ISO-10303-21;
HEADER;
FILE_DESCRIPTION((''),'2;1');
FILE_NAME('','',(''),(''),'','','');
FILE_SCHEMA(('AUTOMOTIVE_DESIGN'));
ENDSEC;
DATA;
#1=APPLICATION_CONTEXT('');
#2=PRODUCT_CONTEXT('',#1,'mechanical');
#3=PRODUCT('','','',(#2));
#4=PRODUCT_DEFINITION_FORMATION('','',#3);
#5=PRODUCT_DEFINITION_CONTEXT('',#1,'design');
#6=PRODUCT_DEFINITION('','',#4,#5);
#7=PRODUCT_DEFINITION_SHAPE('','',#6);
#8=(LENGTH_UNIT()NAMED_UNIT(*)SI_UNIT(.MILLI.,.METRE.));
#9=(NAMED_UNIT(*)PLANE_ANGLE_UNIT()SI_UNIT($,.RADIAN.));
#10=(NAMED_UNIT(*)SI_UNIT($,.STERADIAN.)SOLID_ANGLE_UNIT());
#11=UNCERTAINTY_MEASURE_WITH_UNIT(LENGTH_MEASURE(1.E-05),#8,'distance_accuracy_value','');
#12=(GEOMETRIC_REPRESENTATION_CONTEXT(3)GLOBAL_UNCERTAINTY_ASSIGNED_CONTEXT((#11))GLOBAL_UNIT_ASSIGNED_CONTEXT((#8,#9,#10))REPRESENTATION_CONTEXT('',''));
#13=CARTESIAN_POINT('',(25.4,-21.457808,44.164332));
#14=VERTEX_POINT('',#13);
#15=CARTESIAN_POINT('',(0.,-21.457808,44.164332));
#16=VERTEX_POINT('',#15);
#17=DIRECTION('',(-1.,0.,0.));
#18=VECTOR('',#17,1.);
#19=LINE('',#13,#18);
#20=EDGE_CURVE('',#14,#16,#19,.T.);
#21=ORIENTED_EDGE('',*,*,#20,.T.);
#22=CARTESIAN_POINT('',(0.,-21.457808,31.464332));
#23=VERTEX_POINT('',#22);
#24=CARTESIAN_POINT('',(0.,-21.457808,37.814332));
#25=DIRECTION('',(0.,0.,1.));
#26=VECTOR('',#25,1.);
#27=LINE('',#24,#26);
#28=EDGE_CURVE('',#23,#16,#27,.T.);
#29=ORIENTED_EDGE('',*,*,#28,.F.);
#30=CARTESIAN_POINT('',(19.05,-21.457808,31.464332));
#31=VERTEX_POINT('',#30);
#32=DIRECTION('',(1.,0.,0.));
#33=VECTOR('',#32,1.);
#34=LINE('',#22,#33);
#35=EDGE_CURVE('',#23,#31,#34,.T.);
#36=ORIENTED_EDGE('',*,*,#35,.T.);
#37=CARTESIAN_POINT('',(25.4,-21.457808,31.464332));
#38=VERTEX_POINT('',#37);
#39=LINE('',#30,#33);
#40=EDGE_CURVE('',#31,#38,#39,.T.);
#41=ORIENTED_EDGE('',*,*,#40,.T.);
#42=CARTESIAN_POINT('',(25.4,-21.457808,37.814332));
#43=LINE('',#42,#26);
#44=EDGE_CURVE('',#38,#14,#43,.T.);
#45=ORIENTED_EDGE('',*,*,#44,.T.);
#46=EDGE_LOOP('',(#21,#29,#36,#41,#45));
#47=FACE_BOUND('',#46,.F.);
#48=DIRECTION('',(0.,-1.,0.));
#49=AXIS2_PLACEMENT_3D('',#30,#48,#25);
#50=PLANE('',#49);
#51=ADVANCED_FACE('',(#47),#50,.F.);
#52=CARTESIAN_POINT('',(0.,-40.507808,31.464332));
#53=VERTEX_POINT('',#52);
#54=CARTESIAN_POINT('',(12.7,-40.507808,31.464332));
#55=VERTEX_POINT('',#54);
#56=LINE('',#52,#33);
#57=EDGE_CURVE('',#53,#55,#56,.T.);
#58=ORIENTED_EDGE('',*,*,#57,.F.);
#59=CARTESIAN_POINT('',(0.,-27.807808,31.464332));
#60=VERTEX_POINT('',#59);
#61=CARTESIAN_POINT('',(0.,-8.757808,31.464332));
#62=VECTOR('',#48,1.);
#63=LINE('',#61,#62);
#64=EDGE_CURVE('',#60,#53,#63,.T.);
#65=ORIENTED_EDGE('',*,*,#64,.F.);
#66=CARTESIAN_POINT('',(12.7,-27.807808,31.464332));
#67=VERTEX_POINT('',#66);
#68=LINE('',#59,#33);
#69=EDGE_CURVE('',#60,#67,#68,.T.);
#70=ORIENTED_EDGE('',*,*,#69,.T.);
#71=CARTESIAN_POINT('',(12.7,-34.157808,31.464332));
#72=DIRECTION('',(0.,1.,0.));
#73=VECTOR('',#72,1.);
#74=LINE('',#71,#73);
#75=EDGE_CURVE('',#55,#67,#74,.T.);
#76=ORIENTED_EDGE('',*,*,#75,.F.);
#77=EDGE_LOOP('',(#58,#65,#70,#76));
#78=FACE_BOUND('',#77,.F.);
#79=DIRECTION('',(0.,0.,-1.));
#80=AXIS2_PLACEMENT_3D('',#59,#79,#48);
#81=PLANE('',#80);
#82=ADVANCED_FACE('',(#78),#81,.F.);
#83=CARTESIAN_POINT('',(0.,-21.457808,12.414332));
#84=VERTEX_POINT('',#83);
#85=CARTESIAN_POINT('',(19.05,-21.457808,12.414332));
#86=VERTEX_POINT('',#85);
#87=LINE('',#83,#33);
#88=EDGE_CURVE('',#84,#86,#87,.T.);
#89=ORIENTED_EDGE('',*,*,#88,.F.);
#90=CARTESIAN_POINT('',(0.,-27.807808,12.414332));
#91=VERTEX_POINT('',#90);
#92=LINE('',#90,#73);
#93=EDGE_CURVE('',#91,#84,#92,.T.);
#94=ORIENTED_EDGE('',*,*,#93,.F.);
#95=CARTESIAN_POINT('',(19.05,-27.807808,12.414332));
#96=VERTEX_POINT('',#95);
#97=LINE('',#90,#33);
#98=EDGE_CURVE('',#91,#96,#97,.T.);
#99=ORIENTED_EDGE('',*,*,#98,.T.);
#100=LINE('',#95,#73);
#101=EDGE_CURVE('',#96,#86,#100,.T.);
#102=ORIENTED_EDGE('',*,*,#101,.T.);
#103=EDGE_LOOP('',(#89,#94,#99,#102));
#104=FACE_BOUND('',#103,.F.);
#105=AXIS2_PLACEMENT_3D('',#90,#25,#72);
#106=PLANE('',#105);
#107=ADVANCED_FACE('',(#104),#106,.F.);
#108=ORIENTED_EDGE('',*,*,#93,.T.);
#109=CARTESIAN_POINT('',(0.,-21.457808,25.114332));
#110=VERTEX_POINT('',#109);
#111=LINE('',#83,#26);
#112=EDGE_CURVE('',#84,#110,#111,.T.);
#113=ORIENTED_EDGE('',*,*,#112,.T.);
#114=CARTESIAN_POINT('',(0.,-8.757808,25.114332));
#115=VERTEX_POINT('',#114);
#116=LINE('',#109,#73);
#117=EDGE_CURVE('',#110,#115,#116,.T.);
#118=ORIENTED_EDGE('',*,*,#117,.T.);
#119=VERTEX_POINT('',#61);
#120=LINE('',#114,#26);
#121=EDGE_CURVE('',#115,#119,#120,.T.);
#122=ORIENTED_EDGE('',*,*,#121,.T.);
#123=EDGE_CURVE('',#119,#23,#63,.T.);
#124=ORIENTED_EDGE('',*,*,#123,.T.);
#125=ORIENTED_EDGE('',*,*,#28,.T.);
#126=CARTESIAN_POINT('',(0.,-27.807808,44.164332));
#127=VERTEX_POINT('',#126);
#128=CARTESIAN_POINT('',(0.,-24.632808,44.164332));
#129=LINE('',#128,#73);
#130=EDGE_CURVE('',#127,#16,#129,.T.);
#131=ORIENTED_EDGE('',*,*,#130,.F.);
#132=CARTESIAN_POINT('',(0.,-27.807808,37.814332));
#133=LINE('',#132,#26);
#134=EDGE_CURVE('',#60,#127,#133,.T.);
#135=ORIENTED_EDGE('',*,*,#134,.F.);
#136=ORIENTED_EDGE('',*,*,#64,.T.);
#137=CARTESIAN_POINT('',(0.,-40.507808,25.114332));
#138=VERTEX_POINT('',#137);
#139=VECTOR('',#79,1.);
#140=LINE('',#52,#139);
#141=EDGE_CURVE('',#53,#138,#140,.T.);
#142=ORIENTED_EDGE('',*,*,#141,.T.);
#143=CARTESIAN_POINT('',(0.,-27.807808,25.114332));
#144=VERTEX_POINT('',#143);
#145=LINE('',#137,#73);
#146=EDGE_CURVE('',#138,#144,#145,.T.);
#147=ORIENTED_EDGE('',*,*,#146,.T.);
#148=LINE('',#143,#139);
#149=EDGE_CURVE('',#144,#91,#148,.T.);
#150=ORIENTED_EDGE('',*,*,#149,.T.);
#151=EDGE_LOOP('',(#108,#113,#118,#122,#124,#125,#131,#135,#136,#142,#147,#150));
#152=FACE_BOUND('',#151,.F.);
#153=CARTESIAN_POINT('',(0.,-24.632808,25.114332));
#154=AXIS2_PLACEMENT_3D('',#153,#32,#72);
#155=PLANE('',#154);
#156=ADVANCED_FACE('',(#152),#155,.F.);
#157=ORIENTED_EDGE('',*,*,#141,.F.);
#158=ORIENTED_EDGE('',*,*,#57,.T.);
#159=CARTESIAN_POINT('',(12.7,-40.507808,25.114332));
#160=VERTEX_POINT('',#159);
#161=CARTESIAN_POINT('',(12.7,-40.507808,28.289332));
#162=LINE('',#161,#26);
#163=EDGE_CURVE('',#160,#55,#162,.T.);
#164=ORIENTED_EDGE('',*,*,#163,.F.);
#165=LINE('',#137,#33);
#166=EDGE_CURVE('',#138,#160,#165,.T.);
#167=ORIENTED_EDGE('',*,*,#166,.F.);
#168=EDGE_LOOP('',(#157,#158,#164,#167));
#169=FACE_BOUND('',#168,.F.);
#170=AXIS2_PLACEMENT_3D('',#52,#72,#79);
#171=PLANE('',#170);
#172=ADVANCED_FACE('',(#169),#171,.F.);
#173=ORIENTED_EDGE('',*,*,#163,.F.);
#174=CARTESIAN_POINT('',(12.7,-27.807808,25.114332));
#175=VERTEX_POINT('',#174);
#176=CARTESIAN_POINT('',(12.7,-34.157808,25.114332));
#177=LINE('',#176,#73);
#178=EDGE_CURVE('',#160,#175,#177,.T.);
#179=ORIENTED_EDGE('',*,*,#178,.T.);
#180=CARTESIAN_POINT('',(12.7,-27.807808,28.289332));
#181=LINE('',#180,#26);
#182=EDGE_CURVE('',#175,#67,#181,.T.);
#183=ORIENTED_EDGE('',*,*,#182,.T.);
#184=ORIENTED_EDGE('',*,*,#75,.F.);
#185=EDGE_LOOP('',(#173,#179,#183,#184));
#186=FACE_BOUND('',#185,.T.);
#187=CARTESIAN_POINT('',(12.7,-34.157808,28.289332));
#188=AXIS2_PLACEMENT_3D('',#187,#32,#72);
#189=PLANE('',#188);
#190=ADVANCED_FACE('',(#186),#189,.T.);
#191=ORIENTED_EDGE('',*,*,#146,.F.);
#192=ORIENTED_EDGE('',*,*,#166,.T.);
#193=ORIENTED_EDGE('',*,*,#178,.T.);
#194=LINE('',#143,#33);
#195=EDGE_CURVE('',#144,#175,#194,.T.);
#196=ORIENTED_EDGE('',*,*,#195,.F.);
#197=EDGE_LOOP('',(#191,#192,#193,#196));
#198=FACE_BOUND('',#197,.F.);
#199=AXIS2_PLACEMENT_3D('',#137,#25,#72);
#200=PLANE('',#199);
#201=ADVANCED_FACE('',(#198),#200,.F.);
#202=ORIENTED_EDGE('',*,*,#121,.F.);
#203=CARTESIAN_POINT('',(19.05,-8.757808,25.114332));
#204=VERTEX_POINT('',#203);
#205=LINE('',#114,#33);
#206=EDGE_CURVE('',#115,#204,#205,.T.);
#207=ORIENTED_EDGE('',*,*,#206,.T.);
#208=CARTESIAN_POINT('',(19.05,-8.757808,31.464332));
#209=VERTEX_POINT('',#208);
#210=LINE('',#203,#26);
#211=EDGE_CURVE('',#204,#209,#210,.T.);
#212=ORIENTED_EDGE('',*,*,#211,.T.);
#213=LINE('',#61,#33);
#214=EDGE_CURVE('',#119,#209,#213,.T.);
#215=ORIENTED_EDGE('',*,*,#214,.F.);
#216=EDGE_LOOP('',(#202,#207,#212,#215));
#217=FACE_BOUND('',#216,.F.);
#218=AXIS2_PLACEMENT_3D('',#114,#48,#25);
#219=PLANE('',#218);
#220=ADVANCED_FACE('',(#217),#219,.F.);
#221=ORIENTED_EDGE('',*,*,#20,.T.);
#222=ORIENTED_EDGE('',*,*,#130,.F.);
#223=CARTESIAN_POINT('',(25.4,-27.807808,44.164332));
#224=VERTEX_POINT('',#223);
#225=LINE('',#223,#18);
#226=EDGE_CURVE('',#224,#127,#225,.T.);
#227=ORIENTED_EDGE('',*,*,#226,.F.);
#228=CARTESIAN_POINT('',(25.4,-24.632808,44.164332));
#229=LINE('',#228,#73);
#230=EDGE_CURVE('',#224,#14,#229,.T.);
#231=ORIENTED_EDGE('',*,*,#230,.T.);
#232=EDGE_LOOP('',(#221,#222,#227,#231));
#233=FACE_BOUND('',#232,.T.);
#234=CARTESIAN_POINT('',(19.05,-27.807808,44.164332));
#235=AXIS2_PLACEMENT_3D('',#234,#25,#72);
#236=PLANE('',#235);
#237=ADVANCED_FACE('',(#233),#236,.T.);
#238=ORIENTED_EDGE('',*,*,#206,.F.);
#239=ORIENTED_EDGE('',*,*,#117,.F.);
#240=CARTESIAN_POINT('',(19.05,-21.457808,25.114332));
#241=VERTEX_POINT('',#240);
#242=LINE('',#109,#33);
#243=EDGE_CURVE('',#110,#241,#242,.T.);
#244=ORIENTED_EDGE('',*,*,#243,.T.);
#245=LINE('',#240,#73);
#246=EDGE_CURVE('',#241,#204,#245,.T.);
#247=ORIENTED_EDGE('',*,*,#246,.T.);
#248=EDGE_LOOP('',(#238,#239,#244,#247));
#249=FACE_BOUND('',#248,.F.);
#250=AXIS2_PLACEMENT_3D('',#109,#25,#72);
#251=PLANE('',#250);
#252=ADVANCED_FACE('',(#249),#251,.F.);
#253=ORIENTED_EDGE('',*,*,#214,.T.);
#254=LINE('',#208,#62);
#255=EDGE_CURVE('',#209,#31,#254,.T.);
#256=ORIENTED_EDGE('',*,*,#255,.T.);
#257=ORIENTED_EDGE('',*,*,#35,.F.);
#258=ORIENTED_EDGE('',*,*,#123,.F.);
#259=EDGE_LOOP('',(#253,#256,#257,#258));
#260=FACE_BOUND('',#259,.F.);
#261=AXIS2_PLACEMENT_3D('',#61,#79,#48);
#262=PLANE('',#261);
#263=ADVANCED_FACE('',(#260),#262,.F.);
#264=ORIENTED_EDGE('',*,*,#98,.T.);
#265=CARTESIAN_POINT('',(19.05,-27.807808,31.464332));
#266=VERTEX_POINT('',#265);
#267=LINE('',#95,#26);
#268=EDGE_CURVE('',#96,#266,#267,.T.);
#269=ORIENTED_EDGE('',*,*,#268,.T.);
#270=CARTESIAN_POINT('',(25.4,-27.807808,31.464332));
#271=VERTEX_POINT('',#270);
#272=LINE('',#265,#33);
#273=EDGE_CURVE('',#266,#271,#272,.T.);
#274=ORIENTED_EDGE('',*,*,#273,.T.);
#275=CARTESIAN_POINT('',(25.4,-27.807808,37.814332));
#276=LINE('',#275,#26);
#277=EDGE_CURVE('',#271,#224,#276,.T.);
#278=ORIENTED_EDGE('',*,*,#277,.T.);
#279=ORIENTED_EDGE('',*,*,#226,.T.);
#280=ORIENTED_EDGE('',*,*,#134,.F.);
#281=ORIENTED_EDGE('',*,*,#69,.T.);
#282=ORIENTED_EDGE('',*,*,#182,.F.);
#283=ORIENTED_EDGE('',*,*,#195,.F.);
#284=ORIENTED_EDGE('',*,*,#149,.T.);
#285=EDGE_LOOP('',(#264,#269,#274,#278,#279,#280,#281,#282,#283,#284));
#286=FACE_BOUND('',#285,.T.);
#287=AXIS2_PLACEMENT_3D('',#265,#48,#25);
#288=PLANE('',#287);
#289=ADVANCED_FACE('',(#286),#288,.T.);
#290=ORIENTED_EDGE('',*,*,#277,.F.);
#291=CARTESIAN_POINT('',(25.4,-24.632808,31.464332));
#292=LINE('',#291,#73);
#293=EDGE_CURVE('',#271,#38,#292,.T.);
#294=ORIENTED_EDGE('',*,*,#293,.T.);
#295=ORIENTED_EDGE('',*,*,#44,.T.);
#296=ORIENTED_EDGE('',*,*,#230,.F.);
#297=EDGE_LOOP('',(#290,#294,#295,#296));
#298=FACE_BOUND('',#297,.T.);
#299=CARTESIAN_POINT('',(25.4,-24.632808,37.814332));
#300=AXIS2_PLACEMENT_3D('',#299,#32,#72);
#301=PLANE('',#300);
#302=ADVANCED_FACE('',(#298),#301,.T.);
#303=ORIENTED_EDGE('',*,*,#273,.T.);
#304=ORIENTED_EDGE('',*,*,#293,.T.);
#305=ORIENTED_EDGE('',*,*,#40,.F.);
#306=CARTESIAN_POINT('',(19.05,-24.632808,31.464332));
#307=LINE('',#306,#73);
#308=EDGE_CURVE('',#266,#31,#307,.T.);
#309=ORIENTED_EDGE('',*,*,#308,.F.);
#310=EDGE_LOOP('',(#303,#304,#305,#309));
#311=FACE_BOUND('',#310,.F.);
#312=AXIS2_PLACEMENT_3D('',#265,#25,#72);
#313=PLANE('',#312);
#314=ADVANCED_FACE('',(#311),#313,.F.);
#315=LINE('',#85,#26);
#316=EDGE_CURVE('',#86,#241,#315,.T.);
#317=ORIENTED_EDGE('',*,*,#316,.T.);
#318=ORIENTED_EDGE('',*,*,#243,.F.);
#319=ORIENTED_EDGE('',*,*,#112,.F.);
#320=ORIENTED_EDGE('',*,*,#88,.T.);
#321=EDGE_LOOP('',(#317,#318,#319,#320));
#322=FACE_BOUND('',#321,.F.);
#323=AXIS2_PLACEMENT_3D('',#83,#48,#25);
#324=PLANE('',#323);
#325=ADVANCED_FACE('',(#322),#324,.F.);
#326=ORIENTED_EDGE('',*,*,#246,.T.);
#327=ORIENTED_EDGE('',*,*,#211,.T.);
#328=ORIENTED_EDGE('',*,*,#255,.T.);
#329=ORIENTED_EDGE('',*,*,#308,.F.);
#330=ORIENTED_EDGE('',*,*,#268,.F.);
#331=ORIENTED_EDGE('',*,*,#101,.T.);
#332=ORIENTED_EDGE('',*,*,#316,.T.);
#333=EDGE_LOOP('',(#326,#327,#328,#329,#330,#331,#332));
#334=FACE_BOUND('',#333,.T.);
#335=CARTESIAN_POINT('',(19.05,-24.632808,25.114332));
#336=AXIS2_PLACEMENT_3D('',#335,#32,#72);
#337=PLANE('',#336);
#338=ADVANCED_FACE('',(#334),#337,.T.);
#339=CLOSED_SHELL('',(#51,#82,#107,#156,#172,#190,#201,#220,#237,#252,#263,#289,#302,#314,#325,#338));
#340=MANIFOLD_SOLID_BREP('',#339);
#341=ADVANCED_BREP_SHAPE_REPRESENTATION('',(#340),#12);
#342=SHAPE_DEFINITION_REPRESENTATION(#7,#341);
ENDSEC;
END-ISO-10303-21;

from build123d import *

# Parameters (mm, degrees)
F0_W     = 6.35
F0_H     = 12.7
F1_DEPTH = 19.05
F2_W     = 6.35
F2_H     = 12.7
F3_DEPTH = 6.35
F4_W     = 12.7
F4_H     = 6.35
F5_DEPTH = 6.35


with BuildPart() as f1:
    # F0 (on Right) → F1 (new body)
    with BuildSketch(Plane.YZ):
        Polygon((-27.807808, 12.414332), (-21.457808, 12.414332), (-21.457808, 25.114332), (-8.757808, 25.114332), (-8.757808, 31.464332), (-21.457808, 31.464332), (-27.807808, 31.464332), (-40.507808, 31.464332), (-40.507808, 25.114332), (-27.807808, 25.114332), align=None)
        with Locations((-24.632808, 37.814332)):
            Rectangle(F0_W, F0_H)
    extrude(amount=F1_DEPTH)

    # F2 (on face) → F3 (join)
    with BuildSketch(Plane.YZ.offset(19.05)):
        with Locations((-24.632808, 37.814332)):
            Rectangle(F2_W, F2_H)
    extrude(amount=F3_DEPTH)

    # F4 (on face) → F5 (cut)
    with BuildSketch(Plane.YZ.offset(19.05)):
        with Locations((-34.157808, 28.289332)):
            Rectangle(F4_W, F4_H)
    extrude(amount=-F5_DEPTH, mode=Mode.SUBTRACT)


solid = f1.part
